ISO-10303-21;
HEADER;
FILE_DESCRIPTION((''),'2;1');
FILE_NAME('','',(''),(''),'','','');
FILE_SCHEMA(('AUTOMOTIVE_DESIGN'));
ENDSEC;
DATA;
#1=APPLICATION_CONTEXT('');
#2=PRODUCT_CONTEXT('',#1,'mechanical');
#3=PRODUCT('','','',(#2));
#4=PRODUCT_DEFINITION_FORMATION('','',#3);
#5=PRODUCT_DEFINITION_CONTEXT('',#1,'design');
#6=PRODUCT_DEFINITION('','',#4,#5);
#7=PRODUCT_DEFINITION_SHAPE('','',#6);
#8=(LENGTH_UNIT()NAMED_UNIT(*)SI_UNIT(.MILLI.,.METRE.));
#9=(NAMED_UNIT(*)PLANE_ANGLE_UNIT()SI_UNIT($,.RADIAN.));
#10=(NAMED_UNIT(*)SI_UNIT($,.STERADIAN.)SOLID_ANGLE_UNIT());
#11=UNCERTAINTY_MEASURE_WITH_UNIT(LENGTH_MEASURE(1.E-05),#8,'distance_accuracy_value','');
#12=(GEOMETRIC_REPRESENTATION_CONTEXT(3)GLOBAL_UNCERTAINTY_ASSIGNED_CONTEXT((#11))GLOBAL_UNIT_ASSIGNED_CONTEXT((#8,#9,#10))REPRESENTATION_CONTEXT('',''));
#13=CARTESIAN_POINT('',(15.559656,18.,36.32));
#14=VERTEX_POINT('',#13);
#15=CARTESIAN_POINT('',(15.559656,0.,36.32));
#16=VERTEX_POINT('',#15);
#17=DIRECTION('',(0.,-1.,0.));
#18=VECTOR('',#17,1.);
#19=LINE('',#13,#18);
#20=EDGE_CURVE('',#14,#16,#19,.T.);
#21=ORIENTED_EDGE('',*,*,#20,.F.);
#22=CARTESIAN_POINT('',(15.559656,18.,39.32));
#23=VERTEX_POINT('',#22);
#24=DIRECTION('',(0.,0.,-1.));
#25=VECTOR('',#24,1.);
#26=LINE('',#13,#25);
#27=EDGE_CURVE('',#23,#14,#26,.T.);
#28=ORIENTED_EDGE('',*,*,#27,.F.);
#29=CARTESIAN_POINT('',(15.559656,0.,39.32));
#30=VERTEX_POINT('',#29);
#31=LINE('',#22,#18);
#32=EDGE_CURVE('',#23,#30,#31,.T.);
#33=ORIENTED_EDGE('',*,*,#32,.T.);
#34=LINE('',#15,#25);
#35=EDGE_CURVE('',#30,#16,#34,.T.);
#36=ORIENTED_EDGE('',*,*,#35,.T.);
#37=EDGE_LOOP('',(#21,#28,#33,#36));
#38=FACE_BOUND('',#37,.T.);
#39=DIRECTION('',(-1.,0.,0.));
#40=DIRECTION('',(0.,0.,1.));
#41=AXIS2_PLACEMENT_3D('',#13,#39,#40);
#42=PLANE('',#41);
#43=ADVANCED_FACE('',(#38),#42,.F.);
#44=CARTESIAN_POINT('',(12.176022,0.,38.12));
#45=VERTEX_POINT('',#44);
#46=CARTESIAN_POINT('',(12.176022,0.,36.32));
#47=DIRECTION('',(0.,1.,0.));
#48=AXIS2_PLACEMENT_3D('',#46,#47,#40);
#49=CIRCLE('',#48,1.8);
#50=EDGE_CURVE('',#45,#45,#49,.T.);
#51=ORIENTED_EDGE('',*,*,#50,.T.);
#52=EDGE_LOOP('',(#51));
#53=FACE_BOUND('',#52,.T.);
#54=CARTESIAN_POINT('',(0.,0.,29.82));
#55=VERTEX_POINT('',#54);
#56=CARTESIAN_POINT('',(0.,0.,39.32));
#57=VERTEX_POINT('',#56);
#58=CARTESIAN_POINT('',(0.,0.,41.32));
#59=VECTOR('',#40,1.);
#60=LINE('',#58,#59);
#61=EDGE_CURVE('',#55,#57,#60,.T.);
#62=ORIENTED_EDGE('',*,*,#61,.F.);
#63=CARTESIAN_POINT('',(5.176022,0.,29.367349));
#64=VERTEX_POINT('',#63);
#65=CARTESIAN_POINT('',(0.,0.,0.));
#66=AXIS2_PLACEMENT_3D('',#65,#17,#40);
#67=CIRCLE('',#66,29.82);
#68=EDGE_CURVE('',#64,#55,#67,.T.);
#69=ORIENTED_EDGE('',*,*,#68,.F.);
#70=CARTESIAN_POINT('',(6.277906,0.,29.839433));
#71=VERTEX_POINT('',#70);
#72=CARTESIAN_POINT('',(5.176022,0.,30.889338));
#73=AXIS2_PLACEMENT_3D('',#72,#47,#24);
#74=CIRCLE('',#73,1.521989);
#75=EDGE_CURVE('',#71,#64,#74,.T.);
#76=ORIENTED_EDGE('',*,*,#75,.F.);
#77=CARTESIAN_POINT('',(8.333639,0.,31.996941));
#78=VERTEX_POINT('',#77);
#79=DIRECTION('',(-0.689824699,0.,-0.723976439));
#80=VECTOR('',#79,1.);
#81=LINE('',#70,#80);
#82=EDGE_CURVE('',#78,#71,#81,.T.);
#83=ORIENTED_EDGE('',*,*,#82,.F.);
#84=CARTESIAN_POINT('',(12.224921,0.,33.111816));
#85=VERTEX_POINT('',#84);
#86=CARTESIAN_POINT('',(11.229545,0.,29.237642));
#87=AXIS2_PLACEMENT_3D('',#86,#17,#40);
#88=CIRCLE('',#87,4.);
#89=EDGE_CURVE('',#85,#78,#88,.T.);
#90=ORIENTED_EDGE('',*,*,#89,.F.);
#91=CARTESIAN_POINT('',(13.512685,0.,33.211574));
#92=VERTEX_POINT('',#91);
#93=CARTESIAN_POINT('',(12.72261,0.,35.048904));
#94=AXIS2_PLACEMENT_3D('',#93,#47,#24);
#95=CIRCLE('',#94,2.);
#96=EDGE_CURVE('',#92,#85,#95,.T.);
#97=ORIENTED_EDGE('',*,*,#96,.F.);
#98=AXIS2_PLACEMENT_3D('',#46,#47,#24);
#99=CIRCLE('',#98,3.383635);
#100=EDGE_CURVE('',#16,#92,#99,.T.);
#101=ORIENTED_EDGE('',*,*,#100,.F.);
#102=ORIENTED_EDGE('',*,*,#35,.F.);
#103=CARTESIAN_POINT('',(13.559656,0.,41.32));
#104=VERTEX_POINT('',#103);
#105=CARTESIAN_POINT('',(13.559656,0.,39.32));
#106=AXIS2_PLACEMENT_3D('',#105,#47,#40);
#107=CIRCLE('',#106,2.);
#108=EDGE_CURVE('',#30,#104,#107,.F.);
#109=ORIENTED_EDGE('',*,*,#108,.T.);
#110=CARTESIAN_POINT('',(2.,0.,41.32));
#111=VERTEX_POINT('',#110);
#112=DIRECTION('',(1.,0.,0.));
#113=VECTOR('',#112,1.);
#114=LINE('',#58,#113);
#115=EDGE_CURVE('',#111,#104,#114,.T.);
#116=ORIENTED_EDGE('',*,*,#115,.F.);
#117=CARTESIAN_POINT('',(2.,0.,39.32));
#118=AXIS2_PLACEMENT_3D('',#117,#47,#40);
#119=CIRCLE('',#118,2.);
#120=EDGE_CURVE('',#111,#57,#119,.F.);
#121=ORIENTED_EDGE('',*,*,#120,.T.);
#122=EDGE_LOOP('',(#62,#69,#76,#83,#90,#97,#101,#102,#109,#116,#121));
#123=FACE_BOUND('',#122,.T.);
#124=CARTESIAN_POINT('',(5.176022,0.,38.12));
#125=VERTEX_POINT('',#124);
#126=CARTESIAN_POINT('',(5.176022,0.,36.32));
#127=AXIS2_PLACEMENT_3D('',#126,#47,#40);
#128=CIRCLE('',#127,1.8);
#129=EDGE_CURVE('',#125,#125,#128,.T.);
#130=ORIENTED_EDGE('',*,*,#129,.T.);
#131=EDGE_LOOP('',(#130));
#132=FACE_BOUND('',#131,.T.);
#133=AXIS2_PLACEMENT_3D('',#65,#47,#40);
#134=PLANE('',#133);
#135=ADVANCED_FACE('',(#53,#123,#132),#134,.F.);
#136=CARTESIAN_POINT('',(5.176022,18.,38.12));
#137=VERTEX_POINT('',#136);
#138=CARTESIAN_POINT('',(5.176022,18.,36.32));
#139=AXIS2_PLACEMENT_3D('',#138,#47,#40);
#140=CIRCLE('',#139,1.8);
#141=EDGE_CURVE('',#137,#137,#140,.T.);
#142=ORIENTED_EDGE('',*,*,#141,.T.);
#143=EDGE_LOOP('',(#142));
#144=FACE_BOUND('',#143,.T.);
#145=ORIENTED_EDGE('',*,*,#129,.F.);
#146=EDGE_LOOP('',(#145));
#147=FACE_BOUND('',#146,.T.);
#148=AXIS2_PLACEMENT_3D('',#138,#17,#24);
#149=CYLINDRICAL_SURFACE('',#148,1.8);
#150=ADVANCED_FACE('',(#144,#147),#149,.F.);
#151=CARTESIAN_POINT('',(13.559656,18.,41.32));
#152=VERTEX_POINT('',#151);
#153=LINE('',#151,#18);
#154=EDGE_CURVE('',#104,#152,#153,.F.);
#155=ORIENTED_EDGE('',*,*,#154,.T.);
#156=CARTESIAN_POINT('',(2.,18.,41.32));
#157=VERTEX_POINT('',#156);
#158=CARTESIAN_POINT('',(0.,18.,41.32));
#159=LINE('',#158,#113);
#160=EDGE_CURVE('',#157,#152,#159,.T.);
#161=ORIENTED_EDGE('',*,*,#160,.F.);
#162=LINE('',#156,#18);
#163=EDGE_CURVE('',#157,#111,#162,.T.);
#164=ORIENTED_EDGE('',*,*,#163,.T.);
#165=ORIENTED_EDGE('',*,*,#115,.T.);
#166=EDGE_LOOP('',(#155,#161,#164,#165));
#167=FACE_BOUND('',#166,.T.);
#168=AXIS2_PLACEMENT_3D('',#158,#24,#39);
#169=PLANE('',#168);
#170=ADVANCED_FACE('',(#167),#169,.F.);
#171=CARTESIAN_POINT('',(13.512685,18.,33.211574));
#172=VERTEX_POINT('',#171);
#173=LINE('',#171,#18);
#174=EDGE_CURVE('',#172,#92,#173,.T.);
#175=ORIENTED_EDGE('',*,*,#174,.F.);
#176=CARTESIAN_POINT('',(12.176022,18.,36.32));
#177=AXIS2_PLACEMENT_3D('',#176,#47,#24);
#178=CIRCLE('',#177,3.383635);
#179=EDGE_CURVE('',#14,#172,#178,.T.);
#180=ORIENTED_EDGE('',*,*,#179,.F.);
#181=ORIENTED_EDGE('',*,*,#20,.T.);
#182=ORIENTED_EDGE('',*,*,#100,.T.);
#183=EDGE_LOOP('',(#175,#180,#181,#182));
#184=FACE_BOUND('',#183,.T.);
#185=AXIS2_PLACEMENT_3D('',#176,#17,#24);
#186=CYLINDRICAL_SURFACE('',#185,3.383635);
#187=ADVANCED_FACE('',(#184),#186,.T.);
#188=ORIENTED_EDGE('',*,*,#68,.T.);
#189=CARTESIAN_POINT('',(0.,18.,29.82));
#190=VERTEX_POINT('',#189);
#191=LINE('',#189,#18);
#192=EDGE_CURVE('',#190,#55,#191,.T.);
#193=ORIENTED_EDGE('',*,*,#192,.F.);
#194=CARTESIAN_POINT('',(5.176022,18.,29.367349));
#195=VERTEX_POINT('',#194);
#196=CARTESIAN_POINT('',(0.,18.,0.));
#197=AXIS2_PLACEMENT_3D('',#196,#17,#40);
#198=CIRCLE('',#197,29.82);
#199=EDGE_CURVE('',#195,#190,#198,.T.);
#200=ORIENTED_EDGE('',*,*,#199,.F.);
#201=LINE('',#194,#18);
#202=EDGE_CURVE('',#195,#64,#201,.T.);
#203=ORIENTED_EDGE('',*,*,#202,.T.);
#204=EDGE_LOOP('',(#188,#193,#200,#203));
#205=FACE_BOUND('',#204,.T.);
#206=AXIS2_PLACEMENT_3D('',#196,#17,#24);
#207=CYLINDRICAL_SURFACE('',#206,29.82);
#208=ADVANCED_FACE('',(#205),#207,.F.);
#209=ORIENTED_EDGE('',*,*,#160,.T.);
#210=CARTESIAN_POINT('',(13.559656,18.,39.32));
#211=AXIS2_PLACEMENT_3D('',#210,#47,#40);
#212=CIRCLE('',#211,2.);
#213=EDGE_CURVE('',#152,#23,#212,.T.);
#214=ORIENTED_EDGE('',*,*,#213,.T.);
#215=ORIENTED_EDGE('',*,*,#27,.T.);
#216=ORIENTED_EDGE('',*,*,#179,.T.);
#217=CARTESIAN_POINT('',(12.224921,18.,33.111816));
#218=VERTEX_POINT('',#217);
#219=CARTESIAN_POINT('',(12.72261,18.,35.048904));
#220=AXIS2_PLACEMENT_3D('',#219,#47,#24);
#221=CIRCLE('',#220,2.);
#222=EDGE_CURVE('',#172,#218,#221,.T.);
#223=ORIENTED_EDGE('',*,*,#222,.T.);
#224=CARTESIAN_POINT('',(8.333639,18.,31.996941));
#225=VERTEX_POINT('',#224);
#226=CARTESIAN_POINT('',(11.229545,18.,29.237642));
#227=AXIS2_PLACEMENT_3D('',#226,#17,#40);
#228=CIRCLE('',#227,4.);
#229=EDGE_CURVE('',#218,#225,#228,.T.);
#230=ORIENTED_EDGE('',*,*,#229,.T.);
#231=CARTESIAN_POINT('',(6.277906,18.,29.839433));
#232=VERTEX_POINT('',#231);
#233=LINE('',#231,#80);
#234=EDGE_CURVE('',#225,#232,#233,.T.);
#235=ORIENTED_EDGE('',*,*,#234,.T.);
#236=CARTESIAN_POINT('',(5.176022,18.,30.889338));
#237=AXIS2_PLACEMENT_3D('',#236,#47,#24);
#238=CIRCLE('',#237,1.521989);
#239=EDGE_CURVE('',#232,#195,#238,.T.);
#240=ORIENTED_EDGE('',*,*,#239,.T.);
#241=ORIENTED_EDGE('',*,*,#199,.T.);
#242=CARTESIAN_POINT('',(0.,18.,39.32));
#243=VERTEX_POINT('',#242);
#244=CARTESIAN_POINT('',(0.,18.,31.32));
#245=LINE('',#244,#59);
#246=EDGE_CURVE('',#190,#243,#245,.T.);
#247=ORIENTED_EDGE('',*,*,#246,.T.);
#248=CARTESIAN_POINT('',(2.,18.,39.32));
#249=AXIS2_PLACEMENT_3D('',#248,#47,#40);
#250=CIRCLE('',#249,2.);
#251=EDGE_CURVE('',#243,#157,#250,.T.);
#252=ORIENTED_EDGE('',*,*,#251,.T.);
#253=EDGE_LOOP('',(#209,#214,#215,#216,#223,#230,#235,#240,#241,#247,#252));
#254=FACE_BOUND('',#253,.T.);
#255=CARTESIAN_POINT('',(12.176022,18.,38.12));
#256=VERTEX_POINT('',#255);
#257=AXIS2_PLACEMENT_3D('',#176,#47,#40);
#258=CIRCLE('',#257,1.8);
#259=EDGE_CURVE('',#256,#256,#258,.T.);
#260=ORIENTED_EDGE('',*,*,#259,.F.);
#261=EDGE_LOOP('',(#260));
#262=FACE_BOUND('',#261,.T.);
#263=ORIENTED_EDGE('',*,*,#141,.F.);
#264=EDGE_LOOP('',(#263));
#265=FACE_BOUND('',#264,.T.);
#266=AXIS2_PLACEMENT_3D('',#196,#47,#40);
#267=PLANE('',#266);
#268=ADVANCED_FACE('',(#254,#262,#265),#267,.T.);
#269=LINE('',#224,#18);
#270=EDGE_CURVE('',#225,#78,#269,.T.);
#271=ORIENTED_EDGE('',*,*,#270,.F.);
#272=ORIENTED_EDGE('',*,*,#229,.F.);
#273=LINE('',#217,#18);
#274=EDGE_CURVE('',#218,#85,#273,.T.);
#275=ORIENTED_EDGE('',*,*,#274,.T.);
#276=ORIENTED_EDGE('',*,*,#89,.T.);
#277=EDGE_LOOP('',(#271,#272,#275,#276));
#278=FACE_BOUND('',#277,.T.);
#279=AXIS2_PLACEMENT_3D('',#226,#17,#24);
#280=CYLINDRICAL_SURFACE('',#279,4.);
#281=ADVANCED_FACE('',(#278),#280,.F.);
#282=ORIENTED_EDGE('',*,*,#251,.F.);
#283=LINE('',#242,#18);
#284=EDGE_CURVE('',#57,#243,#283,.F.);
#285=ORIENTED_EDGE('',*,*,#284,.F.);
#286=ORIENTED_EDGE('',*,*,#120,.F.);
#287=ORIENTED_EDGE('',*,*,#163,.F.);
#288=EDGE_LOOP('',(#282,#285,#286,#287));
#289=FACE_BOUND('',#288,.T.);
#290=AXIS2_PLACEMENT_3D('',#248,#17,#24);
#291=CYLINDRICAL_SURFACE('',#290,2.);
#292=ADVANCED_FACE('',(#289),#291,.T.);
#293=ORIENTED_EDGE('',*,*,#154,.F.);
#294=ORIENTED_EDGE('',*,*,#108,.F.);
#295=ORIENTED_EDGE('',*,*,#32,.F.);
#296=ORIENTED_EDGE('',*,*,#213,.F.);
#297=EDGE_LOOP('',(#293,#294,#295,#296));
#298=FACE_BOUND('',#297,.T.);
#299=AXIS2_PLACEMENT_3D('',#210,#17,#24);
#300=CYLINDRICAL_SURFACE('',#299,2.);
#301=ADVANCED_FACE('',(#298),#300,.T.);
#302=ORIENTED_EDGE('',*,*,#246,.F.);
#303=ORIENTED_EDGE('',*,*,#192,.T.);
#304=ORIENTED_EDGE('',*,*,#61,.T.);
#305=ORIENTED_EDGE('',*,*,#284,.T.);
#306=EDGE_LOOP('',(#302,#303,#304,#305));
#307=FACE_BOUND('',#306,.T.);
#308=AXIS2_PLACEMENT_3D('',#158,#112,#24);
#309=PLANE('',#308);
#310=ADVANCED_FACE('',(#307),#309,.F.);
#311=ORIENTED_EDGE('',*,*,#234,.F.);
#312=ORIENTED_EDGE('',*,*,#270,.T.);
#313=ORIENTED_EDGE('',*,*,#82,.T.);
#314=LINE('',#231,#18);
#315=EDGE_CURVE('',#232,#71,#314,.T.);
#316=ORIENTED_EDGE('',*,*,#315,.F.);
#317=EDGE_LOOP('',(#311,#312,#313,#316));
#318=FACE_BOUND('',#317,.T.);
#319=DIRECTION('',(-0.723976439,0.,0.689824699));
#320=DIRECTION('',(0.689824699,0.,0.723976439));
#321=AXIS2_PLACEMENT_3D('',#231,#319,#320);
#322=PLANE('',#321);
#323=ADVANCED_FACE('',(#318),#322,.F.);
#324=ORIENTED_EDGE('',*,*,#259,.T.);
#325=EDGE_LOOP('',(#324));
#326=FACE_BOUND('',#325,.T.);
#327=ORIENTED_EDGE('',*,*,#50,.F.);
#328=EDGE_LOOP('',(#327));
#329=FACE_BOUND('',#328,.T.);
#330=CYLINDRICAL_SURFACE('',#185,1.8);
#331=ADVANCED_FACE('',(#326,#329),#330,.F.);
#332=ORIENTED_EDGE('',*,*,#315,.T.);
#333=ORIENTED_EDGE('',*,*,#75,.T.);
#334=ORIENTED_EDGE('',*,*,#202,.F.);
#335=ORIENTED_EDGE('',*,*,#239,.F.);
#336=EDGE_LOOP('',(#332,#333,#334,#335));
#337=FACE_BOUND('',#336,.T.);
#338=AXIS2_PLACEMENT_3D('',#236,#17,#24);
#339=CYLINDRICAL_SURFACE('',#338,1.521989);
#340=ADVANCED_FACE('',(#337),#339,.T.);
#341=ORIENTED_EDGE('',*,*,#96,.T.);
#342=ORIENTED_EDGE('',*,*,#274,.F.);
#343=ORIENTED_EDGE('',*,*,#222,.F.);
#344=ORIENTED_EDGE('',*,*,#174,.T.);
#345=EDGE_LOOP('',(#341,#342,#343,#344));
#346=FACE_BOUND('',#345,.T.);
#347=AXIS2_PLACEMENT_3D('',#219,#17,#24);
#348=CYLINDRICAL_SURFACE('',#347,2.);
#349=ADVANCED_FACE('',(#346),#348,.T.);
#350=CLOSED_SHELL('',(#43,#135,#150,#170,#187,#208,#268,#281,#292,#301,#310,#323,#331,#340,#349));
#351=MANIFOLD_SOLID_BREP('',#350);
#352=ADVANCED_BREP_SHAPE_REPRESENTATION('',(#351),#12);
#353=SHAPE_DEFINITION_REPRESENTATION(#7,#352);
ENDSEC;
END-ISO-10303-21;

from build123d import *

# Parameters (mm, degrees)
SKETCH_1_R      = 1.8
EXTRUDE_1_DEPTH = 18
FILLET_1_R      = 2


with BuildPart() as part:
    # 草图1 → 凸台-拉伸1 (new body)
    with BuildSketch(Plane(origin=(0, 0, 0), x_dir=(1, 0, 0), z_dir=(0, 1, 0))):
        with BuildLine():
            Line((0, -41.32), (0, -31.32))
            Line((0, -31.32), (0, -29.82))
            ThreePointArc((0, -29.82), (2.597888216, -29.706621767), (5.176021638, -29.367349216))
            ThreePointArc((5.176021638, -29.367349216), (5.775398606, -29.490339394), (6.277905634, -29.839432535))
            Line((6.277905634, -29.839432535), (8.333639143, -31.996940996))
            ThreePointArc((8.333639143, -31.996940996), (10.127846327, -33.082932859), (12.22492131, -33.111816408))
            ThreePointArc((12.22492131, -33.111816408), (12.877077837, -33.05487755), (13.512685008, -33.211573734))
            ThreePointArc((13.512685008, -33.211573734), (15.001951856, -34.459059049), (15.559656196, -36.32))
            Line((15.559656196, -36.32), (15.559656196, -41.32))
            Line((15.559656196, -41.32), (0, -41.32))
        make_face()
        with Locations(Location((5.176021638, -36.32, 0), (0, 0, 270))):
            Circle(SKETCH_1_R, mode=Mode.SUBTRACT)
        with Locations(Location((12.176021638, -36.32, 0), (0, 0, 270))):
            Circle(SKETCH_1_R, mode=Mode.SUBTRACT)
    extrude(amount=EXTRUDE_1_DEPTH)

    # 圆角1
    fillet_1_edges = [part.edges().sort_by_distance(p)[0] for p in [
        (15.559656196, 9, 41.32),
        (0, 9, 41.32),
    ]]
    fillet(fillet_1_edges, radius=FILLET_1_R)


solid = part.part
